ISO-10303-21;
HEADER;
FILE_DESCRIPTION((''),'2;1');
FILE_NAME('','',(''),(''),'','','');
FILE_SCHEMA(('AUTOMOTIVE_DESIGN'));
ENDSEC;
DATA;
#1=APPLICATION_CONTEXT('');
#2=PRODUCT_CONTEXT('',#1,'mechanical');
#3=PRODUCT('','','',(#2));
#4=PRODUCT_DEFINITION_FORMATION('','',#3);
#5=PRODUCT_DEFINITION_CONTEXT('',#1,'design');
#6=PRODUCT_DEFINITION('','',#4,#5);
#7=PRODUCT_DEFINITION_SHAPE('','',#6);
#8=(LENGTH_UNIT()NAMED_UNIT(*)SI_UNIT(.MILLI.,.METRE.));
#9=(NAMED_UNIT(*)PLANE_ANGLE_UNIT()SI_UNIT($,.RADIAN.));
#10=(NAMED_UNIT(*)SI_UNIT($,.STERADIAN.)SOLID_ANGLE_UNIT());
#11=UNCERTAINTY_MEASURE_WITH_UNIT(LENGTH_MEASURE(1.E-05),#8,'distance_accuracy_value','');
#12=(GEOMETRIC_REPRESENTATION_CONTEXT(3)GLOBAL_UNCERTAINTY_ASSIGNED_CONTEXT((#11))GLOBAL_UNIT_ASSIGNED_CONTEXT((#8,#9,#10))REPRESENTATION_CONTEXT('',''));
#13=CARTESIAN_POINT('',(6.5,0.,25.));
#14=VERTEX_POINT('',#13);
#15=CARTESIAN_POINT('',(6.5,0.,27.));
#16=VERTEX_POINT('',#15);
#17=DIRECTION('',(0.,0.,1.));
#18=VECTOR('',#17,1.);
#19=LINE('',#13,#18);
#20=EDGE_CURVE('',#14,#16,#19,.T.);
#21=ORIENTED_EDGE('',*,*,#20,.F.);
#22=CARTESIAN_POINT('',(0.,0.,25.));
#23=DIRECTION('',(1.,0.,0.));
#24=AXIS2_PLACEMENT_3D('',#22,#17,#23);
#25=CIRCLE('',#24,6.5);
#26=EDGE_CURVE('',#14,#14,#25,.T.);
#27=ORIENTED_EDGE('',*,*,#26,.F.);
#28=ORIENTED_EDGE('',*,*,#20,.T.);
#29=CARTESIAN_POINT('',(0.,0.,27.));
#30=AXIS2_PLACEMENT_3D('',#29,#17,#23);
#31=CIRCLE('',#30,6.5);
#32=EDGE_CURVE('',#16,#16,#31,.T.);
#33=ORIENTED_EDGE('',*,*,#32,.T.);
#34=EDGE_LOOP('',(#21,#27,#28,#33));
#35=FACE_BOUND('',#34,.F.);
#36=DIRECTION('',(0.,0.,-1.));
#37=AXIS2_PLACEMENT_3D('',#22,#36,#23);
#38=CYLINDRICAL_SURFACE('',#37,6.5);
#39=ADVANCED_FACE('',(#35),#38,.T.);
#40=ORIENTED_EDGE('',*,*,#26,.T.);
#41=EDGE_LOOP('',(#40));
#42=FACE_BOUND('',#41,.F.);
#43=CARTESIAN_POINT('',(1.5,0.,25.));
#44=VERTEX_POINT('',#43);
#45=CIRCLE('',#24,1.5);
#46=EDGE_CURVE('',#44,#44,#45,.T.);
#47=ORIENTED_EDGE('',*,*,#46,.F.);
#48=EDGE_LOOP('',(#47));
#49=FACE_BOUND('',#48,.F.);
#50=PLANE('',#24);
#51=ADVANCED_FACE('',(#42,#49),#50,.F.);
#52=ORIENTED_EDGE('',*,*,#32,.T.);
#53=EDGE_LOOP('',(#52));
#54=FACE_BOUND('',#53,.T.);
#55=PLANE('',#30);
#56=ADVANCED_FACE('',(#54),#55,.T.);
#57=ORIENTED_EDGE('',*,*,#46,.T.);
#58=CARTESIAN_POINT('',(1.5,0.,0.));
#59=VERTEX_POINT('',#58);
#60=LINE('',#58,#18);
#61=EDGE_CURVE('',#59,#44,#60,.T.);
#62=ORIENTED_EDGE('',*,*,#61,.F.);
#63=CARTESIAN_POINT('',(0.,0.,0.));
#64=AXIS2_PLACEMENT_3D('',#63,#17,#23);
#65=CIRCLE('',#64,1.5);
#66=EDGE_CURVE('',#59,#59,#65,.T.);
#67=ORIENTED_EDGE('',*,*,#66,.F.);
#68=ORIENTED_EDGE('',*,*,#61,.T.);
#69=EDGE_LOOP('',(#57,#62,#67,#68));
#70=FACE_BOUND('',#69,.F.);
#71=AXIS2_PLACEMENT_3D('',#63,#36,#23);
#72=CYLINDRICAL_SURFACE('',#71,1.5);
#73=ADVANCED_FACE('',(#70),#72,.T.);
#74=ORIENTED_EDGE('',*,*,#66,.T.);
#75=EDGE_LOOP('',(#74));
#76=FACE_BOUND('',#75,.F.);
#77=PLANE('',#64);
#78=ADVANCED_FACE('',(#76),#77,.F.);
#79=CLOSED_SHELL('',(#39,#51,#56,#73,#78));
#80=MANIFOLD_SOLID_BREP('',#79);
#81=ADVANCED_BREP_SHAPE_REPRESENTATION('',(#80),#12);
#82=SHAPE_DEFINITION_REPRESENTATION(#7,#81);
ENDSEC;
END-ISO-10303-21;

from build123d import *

# Parameters (mm, degrees)
F0_R     = 1.5
F1_DEPTH = 25
F2_R     = 6.5
F2_R_2   = 1.5
F3_DEPTH = 2


with BuildPart() as f1:
    # F0 (on Top) → F1 (new body)
    with BuildSketch(Plane.XY):
        Circle(F0_R)
    extrude(amount=F1_DEPTH)

    # F2 (on face) → F3 (join)
    with BuildSketch(Plane.XY.offset(25)):
        Circle(F2_R)
        Circle(F2_R_2, mode=Mode.SUBTRACT)
        Circle(F2_R_2)
    extrude(amount=F3_DEPTH)


solid = f1.part
